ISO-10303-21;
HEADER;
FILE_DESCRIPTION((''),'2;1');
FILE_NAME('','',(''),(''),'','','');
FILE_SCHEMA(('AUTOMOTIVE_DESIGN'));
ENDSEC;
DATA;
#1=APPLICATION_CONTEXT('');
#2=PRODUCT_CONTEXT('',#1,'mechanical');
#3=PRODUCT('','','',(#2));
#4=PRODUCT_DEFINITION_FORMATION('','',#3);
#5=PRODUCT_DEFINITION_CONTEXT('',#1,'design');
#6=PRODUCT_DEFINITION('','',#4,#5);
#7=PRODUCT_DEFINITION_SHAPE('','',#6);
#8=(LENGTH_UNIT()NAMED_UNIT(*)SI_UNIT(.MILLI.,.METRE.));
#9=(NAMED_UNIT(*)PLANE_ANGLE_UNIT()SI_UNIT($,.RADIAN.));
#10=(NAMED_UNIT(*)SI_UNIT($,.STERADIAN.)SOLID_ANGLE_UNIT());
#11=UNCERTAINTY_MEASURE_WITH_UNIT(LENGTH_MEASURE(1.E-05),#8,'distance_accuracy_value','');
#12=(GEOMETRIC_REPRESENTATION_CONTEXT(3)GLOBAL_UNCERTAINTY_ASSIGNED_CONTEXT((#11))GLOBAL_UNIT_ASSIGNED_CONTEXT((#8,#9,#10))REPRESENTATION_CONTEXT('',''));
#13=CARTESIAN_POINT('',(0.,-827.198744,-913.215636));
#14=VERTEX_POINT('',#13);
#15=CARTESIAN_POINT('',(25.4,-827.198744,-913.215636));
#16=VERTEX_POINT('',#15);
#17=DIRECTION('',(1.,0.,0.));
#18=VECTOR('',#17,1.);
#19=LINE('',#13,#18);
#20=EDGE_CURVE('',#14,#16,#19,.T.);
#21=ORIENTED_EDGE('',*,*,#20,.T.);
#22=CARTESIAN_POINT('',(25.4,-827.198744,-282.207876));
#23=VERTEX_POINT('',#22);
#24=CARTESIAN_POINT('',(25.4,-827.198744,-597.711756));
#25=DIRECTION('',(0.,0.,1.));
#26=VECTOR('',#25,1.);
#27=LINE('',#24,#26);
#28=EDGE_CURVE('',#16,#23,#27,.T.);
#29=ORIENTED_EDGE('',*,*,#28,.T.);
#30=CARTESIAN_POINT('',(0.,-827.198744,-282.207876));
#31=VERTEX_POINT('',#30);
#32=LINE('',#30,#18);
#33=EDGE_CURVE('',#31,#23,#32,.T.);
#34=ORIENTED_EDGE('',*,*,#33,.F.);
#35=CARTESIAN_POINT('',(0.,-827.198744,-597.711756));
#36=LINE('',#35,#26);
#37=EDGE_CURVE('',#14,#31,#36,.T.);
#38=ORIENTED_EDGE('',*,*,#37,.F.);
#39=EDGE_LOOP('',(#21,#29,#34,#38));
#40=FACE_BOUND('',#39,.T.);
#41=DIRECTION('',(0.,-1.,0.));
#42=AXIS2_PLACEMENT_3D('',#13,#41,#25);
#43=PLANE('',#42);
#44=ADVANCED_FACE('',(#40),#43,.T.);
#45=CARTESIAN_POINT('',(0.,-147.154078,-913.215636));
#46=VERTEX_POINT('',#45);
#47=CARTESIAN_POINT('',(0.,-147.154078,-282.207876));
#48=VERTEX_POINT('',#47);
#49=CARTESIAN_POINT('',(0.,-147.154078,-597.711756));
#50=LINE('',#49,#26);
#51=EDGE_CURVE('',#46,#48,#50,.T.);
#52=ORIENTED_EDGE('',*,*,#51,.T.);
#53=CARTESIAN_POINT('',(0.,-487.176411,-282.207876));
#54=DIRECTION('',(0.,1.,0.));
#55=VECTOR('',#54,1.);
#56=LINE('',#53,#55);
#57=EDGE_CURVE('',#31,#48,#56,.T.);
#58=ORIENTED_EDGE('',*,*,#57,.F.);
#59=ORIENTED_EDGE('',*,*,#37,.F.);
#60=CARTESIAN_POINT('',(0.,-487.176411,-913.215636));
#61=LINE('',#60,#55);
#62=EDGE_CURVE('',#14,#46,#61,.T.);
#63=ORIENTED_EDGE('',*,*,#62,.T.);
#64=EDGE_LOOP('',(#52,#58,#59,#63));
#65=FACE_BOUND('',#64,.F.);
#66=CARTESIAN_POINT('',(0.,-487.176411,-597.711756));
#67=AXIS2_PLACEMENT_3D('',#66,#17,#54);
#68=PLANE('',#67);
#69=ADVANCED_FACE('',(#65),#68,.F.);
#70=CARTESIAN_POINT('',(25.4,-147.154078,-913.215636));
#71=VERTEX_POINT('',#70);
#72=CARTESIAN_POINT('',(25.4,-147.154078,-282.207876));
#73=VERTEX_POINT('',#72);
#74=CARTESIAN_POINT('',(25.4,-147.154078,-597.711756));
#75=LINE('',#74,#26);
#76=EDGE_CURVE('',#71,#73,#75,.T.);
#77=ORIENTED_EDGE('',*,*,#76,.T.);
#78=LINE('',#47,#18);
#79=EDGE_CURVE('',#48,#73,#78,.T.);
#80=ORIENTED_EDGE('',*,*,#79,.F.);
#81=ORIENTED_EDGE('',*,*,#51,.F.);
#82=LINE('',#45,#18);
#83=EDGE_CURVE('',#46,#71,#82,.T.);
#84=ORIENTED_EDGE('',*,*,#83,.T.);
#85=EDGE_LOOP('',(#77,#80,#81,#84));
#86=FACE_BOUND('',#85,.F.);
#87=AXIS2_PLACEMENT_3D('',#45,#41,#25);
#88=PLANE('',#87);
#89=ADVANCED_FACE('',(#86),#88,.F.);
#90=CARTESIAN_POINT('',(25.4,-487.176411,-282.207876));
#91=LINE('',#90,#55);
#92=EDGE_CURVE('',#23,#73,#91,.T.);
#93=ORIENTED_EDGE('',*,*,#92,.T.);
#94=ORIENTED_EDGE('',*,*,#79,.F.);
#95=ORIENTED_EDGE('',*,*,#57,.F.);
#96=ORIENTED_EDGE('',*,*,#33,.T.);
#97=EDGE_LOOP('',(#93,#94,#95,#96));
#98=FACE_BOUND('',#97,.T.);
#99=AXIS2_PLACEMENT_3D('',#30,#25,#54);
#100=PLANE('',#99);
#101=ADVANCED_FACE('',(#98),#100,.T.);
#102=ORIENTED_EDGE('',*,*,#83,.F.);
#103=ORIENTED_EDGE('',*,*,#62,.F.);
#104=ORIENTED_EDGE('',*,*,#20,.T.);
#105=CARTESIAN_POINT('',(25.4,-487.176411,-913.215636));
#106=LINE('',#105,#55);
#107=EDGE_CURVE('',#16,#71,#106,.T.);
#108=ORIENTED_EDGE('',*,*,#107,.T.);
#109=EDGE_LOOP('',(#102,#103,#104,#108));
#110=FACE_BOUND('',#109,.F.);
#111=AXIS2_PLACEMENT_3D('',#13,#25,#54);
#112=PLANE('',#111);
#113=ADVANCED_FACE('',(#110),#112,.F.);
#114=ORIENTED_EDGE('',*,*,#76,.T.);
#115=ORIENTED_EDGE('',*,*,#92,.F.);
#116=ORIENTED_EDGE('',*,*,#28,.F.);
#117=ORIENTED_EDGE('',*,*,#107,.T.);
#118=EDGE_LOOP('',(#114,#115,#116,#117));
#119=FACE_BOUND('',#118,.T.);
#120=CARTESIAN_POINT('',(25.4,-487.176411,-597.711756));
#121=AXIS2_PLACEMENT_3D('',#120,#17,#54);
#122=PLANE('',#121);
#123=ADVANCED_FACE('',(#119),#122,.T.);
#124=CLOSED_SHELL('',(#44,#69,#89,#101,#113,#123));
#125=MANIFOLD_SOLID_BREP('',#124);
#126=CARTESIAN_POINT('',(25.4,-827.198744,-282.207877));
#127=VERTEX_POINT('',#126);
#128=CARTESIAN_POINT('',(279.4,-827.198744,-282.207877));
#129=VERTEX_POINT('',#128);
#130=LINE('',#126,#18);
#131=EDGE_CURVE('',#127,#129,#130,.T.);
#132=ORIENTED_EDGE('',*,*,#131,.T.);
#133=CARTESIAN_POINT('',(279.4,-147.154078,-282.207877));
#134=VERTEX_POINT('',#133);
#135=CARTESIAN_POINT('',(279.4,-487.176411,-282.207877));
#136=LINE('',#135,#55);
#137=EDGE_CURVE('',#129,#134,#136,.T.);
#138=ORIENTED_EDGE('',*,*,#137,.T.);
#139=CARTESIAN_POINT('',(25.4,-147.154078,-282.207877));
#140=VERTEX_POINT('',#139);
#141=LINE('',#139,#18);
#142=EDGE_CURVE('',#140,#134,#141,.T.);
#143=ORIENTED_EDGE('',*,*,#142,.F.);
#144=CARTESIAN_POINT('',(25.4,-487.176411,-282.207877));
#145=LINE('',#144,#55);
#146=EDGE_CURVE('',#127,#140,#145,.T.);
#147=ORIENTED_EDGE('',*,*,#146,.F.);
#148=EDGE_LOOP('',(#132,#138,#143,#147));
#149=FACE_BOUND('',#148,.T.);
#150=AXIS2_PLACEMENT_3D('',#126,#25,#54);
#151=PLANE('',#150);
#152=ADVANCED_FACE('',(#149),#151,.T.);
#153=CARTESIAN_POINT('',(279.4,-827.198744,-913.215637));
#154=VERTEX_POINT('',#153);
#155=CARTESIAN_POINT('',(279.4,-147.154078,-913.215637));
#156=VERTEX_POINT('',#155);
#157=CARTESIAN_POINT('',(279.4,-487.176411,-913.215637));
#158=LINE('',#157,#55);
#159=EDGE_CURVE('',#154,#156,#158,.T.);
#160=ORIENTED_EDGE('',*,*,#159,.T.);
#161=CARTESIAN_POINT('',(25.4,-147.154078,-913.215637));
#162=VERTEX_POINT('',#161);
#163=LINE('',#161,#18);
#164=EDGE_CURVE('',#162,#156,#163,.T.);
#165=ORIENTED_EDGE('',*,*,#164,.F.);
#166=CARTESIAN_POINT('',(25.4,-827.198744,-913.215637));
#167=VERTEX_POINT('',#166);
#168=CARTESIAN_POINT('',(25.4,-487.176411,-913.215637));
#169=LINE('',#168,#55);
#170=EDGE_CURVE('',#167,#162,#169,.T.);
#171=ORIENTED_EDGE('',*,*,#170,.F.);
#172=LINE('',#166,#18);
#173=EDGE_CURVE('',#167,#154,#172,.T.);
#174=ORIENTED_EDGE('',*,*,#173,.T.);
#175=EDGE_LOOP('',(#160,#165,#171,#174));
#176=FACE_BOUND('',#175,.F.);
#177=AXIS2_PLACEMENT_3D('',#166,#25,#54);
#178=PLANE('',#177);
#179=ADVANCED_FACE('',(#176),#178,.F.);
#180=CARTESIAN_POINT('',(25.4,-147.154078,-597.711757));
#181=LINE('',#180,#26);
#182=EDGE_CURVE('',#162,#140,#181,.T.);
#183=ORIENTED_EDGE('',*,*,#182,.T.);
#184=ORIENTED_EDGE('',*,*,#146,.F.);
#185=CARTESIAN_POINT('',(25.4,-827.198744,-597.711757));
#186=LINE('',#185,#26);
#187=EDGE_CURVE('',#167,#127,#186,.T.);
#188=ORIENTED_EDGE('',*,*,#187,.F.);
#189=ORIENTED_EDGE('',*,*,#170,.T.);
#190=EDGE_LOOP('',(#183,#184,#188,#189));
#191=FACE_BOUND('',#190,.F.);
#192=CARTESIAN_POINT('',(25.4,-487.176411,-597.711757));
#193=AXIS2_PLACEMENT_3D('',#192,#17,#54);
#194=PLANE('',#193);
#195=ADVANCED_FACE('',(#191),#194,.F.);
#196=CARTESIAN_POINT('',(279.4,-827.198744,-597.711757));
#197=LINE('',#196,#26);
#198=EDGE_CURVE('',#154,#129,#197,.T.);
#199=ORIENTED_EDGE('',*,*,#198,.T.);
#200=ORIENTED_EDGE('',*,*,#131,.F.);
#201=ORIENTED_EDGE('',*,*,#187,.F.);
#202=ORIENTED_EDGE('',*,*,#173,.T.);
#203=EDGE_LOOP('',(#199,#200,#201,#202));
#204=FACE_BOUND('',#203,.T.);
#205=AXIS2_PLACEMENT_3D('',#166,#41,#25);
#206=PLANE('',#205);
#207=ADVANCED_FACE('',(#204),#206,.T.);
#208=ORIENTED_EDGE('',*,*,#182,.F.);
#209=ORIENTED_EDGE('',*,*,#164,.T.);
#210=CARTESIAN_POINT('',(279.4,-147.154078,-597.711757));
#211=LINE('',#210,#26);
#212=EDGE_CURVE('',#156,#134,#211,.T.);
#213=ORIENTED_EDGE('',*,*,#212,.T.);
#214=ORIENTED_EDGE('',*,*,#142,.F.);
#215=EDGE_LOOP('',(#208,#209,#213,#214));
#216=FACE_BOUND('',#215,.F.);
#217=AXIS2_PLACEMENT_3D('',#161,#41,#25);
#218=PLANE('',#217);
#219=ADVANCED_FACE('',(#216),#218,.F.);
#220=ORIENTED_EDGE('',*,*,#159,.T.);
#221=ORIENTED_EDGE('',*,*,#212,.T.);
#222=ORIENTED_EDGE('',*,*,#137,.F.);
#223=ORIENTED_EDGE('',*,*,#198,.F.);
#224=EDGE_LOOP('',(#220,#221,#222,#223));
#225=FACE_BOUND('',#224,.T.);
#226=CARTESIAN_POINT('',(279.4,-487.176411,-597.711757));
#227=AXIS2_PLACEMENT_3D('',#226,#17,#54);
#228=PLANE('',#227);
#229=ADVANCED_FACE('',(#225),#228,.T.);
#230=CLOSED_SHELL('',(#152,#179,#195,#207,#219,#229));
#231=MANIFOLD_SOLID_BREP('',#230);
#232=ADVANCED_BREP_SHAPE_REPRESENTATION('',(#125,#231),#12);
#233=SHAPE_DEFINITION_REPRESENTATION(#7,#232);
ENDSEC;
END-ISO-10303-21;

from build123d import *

# Parameters (mm, degrees)
F0_W      = 680.044666
F0_H      = 631.007761
F1_DEPTH  = 25.4
F1_FACE_W = 680.044666
F1_FACE_H = 631.00776
F2_DEPTH  = 254


with BuildPart() as f1:
    # F0 (on Right) → F1 (new body)
    with BuildSketch(Plane.YZ):
        with Locations((-487.176411, -597.711756)):
            Rectangle(F0_W, F0_H)
    extrude(amount=F1_DEPTH)


with BuildPart() as f2:
    # F1_face (on face) → F2 (new body)
    with BuildSketch(Plane(origin=(25.4, -487.176411, -597.711757), x_dir=(0, 1, 0), z_dir=(1, 0, 0))):
        Rectangle(F1_FACE_W, F1_FACE_H)
    extrude(amount=F2_DEPTH)


solid = Compound([f1.part, f2.part])
